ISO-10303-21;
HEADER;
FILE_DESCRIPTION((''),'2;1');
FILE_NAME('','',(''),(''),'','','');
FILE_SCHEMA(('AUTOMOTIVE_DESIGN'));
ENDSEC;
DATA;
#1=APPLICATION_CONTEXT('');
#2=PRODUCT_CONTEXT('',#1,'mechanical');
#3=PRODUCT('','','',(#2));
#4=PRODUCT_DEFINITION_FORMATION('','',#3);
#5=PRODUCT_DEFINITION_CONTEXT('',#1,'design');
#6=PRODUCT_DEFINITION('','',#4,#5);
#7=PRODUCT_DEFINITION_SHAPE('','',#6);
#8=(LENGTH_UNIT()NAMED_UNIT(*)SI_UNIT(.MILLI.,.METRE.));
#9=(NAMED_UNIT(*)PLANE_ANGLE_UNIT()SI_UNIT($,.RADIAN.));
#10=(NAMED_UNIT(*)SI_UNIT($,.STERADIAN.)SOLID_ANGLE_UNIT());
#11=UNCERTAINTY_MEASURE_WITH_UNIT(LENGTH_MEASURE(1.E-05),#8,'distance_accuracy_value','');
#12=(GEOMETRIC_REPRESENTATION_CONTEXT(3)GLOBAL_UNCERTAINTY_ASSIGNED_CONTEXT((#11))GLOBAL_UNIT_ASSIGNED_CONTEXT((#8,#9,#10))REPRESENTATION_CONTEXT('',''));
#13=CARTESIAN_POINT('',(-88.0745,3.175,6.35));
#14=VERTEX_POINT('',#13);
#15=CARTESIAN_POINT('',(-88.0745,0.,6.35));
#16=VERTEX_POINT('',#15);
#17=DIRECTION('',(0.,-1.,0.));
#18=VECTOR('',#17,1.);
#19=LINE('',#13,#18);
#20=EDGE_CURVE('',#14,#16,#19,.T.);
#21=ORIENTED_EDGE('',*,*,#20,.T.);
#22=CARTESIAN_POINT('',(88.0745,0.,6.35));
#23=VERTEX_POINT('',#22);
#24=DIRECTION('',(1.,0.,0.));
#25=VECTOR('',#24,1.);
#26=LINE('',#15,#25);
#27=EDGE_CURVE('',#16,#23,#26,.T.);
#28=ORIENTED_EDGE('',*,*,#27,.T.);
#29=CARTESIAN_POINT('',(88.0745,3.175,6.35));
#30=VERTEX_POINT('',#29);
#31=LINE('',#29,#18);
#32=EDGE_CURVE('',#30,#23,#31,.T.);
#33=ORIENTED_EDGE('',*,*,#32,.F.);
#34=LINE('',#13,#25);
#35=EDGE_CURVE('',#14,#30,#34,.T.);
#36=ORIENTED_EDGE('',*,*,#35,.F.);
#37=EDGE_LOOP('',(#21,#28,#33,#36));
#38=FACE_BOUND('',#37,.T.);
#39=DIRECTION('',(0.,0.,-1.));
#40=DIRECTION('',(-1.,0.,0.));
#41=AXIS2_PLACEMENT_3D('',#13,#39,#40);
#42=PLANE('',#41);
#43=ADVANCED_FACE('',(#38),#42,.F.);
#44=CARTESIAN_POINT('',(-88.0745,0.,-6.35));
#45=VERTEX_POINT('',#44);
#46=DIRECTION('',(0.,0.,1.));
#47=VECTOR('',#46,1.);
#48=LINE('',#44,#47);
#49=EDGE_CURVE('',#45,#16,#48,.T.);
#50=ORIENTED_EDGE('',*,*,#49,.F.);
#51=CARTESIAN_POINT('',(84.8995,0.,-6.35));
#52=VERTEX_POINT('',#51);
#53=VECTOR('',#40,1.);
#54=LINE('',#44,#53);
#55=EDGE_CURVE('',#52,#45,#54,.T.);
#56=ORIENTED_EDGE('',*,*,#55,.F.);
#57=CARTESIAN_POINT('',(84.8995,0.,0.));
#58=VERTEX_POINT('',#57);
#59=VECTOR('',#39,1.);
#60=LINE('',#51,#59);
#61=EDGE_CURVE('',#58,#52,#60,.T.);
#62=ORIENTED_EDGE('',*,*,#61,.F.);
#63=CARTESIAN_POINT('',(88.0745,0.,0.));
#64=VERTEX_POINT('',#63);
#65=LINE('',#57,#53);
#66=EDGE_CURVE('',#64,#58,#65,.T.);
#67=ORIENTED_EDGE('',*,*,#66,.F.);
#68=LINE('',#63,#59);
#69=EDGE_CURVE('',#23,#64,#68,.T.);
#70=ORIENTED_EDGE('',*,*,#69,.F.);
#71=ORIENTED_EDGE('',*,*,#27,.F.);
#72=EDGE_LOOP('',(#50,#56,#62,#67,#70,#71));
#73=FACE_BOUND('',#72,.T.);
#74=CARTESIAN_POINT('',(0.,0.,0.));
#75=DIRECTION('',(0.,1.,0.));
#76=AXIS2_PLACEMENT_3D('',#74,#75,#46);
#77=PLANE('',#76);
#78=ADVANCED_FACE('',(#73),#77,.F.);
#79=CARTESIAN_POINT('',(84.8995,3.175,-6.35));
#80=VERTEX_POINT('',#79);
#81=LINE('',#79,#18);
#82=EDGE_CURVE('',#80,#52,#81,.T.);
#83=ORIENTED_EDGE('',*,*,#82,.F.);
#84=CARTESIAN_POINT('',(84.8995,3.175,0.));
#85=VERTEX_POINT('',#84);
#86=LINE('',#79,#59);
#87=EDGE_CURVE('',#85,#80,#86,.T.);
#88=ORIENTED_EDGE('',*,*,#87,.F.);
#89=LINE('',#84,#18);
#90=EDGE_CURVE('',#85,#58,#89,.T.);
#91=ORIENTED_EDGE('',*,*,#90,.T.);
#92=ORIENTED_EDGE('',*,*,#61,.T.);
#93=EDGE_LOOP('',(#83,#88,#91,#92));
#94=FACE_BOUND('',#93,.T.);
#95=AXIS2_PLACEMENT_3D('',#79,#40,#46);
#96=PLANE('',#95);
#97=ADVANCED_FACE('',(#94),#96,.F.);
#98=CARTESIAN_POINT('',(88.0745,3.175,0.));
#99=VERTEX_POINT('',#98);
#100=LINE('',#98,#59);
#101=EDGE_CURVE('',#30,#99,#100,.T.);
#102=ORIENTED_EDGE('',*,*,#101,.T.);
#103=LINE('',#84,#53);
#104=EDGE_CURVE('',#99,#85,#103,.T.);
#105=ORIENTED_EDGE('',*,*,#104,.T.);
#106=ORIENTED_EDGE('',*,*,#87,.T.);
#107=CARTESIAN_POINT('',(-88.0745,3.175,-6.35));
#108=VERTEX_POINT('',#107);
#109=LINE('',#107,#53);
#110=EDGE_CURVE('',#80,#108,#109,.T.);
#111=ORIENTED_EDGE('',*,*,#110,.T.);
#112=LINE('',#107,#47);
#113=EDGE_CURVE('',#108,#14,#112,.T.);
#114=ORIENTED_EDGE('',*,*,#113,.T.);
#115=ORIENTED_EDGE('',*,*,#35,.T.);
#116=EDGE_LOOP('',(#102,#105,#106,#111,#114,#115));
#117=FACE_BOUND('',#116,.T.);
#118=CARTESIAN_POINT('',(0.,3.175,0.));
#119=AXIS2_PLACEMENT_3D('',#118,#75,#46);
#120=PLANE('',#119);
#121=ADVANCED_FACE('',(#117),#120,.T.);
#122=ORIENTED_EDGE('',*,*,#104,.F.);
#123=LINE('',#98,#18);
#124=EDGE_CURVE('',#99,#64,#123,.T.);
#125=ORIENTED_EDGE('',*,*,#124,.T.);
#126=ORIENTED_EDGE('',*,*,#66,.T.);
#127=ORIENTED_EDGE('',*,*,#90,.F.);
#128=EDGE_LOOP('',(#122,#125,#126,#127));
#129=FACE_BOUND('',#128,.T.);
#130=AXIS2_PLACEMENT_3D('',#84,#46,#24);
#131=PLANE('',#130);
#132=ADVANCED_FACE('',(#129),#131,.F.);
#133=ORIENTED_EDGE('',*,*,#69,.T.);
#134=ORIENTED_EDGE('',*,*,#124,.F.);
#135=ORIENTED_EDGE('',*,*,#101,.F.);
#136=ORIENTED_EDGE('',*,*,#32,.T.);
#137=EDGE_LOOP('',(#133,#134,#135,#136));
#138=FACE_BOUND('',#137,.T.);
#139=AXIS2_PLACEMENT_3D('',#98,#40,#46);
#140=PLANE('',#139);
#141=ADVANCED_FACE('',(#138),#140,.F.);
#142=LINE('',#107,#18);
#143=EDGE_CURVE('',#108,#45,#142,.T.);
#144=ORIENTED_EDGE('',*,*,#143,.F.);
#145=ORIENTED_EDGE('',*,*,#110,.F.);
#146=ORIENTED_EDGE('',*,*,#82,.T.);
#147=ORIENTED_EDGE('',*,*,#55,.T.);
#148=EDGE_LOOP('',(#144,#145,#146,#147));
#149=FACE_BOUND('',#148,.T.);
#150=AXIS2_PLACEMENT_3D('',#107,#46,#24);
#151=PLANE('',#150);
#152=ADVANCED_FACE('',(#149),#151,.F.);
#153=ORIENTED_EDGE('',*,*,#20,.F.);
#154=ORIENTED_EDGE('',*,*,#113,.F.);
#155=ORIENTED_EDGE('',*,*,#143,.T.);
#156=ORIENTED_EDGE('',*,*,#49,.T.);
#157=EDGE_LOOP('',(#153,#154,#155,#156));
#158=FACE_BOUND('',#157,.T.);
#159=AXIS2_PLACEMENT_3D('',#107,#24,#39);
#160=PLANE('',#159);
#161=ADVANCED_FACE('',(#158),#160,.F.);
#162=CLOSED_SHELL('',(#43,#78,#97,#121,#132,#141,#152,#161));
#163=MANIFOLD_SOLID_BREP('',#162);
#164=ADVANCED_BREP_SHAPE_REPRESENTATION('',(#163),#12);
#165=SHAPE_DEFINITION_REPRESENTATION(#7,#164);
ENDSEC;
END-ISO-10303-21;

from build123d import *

# Parameters (mm, degrees)
BOSS_EXTRUDE1_DEPTH = 3.175


with BuildPart() as part:
    # Sketch1 → Boss-Extrude1 (new body)
    with BuildSketch(Plane(origin=(0, 0, 0), x_dir=(1, 0, 0), z_dir=(0, 1, 0))):
        Polygon((84.8995, 6.35), (84.8995, 0), (88.0745, 0), (88.0745, -6.35), (-88.0745, -6.35), (-88.0745, 6.35), align=None)
    extrude(amount=BOSS_EXTRUDE1_DEPTH)


solid = part.part
